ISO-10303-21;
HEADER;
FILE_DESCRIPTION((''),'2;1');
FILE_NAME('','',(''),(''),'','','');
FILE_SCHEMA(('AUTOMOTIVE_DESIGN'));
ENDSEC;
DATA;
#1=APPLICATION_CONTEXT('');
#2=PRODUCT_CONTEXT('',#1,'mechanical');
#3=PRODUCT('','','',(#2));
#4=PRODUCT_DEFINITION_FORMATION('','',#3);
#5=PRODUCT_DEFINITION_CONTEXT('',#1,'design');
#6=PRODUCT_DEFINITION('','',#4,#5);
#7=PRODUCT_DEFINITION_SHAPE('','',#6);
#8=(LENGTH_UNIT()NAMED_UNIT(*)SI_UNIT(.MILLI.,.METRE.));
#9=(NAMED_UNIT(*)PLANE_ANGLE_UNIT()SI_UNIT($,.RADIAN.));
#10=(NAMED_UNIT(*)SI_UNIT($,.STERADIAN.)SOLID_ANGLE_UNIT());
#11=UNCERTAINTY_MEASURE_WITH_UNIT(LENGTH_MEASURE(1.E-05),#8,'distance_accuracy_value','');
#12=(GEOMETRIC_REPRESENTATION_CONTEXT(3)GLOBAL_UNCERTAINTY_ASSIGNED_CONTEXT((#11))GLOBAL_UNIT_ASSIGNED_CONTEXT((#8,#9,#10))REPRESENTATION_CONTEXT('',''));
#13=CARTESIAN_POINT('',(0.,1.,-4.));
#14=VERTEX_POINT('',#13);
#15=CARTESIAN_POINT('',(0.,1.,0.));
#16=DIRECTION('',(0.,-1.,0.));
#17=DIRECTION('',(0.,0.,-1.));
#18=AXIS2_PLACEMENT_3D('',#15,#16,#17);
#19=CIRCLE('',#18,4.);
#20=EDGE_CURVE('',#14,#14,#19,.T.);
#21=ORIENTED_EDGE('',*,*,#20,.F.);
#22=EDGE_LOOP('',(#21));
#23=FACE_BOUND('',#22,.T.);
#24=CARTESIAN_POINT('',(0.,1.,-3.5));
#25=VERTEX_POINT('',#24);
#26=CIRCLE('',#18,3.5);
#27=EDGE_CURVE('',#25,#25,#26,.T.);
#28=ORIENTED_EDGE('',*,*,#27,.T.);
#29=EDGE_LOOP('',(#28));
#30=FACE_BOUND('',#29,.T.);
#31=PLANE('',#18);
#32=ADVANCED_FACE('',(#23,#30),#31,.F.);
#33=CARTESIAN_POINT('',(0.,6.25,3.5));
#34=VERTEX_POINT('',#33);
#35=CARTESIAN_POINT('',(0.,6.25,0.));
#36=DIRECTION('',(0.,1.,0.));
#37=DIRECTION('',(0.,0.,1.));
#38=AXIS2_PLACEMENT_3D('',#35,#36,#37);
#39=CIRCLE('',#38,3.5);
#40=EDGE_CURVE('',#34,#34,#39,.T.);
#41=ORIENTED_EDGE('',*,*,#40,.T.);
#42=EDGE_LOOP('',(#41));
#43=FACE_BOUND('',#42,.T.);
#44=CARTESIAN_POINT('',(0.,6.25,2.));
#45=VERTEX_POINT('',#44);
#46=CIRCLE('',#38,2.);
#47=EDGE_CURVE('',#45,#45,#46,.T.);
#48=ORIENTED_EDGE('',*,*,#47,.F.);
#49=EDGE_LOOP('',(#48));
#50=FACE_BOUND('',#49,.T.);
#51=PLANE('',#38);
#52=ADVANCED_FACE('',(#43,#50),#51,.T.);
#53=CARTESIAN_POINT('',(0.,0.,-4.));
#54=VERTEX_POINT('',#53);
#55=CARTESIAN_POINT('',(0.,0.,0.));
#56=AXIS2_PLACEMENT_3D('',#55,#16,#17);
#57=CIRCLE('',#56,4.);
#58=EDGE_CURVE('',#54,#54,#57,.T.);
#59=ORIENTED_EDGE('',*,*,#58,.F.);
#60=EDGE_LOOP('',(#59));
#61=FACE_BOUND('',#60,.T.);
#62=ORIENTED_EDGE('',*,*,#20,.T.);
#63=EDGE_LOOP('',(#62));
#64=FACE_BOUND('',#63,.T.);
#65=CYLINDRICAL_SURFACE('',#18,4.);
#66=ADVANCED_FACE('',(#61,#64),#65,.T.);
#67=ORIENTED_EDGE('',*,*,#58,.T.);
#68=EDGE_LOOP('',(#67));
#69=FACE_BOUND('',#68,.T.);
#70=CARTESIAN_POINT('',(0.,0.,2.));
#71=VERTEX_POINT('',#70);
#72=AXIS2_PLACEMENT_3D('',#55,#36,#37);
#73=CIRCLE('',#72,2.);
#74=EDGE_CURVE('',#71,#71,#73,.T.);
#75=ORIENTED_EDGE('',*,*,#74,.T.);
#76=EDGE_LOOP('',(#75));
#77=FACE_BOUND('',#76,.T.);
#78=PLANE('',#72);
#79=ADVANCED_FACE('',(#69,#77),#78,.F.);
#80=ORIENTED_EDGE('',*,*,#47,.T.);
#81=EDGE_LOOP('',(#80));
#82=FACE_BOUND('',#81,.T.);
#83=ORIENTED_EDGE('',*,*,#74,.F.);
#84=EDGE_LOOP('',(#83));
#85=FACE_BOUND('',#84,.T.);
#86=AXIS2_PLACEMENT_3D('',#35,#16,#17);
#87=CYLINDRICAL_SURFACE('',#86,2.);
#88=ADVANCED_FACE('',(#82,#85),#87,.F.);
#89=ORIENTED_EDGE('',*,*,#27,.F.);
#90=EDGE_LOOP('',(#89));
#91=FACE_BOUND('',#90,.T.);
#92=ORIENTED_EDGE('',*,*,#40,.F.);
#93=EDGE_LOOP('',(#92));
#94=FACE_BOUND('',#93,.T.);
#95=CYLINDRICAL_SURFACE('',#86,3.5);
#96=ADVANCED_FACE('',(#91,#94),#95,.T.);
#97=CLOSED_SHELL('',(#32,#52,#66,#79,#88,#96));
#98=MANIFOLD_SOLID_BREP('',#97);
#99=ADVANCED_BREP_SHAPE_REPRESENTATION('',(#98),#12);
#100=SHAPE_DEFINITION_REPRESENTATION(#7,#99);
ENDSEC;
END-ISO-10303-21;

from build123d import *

# Parameters (mm, degrees)
SKETCH1_R           = 3.5
SKETCH1_R_2         = 2
BOSS_EXTRUDE1_DEPTH = 6.25
SKETCH2_R           = 4
SKETCH2_R_2         = 2
BOSS_EXTRUDE2_DEPTH = 1


with BuildPart() as part:
    # Sketch1 → Boss-Extrude1 (new body)
    with BuildSketch(Plane(origin=(0, 0, 0), x_dir=(1, 0, 0), z_dir=(0, 1, 0))):
        with Locations(Location((0, 0, 0), (0, 0, 270))):
            Circle(SKETCH1_R)
        with Locations(Location((0, 0, 0), (0, 0, 270))):
            Circle(SKETCH1_R_2, mode=Mode.SUBTRACT)
    extrude(amount=BOSS_EXTRUDE1_DEPTH)

    # Sketch2 → Boss-Extrude2 (add)
    with BuildSketch(Plane.XZ):
        with Locations(Location((0, 0, 0), (0, 0, 270))):
            Circle(SKETCH2_R)
        with Locations(Location((0, 0, 0), (0, 0, 90))):
            Circle(SKETCH2_R_2, mode=Mode.SUBTRACT)
    extrude(amount=-BOSS_EXTRUDE2_DEPTH)


solid = part.part
